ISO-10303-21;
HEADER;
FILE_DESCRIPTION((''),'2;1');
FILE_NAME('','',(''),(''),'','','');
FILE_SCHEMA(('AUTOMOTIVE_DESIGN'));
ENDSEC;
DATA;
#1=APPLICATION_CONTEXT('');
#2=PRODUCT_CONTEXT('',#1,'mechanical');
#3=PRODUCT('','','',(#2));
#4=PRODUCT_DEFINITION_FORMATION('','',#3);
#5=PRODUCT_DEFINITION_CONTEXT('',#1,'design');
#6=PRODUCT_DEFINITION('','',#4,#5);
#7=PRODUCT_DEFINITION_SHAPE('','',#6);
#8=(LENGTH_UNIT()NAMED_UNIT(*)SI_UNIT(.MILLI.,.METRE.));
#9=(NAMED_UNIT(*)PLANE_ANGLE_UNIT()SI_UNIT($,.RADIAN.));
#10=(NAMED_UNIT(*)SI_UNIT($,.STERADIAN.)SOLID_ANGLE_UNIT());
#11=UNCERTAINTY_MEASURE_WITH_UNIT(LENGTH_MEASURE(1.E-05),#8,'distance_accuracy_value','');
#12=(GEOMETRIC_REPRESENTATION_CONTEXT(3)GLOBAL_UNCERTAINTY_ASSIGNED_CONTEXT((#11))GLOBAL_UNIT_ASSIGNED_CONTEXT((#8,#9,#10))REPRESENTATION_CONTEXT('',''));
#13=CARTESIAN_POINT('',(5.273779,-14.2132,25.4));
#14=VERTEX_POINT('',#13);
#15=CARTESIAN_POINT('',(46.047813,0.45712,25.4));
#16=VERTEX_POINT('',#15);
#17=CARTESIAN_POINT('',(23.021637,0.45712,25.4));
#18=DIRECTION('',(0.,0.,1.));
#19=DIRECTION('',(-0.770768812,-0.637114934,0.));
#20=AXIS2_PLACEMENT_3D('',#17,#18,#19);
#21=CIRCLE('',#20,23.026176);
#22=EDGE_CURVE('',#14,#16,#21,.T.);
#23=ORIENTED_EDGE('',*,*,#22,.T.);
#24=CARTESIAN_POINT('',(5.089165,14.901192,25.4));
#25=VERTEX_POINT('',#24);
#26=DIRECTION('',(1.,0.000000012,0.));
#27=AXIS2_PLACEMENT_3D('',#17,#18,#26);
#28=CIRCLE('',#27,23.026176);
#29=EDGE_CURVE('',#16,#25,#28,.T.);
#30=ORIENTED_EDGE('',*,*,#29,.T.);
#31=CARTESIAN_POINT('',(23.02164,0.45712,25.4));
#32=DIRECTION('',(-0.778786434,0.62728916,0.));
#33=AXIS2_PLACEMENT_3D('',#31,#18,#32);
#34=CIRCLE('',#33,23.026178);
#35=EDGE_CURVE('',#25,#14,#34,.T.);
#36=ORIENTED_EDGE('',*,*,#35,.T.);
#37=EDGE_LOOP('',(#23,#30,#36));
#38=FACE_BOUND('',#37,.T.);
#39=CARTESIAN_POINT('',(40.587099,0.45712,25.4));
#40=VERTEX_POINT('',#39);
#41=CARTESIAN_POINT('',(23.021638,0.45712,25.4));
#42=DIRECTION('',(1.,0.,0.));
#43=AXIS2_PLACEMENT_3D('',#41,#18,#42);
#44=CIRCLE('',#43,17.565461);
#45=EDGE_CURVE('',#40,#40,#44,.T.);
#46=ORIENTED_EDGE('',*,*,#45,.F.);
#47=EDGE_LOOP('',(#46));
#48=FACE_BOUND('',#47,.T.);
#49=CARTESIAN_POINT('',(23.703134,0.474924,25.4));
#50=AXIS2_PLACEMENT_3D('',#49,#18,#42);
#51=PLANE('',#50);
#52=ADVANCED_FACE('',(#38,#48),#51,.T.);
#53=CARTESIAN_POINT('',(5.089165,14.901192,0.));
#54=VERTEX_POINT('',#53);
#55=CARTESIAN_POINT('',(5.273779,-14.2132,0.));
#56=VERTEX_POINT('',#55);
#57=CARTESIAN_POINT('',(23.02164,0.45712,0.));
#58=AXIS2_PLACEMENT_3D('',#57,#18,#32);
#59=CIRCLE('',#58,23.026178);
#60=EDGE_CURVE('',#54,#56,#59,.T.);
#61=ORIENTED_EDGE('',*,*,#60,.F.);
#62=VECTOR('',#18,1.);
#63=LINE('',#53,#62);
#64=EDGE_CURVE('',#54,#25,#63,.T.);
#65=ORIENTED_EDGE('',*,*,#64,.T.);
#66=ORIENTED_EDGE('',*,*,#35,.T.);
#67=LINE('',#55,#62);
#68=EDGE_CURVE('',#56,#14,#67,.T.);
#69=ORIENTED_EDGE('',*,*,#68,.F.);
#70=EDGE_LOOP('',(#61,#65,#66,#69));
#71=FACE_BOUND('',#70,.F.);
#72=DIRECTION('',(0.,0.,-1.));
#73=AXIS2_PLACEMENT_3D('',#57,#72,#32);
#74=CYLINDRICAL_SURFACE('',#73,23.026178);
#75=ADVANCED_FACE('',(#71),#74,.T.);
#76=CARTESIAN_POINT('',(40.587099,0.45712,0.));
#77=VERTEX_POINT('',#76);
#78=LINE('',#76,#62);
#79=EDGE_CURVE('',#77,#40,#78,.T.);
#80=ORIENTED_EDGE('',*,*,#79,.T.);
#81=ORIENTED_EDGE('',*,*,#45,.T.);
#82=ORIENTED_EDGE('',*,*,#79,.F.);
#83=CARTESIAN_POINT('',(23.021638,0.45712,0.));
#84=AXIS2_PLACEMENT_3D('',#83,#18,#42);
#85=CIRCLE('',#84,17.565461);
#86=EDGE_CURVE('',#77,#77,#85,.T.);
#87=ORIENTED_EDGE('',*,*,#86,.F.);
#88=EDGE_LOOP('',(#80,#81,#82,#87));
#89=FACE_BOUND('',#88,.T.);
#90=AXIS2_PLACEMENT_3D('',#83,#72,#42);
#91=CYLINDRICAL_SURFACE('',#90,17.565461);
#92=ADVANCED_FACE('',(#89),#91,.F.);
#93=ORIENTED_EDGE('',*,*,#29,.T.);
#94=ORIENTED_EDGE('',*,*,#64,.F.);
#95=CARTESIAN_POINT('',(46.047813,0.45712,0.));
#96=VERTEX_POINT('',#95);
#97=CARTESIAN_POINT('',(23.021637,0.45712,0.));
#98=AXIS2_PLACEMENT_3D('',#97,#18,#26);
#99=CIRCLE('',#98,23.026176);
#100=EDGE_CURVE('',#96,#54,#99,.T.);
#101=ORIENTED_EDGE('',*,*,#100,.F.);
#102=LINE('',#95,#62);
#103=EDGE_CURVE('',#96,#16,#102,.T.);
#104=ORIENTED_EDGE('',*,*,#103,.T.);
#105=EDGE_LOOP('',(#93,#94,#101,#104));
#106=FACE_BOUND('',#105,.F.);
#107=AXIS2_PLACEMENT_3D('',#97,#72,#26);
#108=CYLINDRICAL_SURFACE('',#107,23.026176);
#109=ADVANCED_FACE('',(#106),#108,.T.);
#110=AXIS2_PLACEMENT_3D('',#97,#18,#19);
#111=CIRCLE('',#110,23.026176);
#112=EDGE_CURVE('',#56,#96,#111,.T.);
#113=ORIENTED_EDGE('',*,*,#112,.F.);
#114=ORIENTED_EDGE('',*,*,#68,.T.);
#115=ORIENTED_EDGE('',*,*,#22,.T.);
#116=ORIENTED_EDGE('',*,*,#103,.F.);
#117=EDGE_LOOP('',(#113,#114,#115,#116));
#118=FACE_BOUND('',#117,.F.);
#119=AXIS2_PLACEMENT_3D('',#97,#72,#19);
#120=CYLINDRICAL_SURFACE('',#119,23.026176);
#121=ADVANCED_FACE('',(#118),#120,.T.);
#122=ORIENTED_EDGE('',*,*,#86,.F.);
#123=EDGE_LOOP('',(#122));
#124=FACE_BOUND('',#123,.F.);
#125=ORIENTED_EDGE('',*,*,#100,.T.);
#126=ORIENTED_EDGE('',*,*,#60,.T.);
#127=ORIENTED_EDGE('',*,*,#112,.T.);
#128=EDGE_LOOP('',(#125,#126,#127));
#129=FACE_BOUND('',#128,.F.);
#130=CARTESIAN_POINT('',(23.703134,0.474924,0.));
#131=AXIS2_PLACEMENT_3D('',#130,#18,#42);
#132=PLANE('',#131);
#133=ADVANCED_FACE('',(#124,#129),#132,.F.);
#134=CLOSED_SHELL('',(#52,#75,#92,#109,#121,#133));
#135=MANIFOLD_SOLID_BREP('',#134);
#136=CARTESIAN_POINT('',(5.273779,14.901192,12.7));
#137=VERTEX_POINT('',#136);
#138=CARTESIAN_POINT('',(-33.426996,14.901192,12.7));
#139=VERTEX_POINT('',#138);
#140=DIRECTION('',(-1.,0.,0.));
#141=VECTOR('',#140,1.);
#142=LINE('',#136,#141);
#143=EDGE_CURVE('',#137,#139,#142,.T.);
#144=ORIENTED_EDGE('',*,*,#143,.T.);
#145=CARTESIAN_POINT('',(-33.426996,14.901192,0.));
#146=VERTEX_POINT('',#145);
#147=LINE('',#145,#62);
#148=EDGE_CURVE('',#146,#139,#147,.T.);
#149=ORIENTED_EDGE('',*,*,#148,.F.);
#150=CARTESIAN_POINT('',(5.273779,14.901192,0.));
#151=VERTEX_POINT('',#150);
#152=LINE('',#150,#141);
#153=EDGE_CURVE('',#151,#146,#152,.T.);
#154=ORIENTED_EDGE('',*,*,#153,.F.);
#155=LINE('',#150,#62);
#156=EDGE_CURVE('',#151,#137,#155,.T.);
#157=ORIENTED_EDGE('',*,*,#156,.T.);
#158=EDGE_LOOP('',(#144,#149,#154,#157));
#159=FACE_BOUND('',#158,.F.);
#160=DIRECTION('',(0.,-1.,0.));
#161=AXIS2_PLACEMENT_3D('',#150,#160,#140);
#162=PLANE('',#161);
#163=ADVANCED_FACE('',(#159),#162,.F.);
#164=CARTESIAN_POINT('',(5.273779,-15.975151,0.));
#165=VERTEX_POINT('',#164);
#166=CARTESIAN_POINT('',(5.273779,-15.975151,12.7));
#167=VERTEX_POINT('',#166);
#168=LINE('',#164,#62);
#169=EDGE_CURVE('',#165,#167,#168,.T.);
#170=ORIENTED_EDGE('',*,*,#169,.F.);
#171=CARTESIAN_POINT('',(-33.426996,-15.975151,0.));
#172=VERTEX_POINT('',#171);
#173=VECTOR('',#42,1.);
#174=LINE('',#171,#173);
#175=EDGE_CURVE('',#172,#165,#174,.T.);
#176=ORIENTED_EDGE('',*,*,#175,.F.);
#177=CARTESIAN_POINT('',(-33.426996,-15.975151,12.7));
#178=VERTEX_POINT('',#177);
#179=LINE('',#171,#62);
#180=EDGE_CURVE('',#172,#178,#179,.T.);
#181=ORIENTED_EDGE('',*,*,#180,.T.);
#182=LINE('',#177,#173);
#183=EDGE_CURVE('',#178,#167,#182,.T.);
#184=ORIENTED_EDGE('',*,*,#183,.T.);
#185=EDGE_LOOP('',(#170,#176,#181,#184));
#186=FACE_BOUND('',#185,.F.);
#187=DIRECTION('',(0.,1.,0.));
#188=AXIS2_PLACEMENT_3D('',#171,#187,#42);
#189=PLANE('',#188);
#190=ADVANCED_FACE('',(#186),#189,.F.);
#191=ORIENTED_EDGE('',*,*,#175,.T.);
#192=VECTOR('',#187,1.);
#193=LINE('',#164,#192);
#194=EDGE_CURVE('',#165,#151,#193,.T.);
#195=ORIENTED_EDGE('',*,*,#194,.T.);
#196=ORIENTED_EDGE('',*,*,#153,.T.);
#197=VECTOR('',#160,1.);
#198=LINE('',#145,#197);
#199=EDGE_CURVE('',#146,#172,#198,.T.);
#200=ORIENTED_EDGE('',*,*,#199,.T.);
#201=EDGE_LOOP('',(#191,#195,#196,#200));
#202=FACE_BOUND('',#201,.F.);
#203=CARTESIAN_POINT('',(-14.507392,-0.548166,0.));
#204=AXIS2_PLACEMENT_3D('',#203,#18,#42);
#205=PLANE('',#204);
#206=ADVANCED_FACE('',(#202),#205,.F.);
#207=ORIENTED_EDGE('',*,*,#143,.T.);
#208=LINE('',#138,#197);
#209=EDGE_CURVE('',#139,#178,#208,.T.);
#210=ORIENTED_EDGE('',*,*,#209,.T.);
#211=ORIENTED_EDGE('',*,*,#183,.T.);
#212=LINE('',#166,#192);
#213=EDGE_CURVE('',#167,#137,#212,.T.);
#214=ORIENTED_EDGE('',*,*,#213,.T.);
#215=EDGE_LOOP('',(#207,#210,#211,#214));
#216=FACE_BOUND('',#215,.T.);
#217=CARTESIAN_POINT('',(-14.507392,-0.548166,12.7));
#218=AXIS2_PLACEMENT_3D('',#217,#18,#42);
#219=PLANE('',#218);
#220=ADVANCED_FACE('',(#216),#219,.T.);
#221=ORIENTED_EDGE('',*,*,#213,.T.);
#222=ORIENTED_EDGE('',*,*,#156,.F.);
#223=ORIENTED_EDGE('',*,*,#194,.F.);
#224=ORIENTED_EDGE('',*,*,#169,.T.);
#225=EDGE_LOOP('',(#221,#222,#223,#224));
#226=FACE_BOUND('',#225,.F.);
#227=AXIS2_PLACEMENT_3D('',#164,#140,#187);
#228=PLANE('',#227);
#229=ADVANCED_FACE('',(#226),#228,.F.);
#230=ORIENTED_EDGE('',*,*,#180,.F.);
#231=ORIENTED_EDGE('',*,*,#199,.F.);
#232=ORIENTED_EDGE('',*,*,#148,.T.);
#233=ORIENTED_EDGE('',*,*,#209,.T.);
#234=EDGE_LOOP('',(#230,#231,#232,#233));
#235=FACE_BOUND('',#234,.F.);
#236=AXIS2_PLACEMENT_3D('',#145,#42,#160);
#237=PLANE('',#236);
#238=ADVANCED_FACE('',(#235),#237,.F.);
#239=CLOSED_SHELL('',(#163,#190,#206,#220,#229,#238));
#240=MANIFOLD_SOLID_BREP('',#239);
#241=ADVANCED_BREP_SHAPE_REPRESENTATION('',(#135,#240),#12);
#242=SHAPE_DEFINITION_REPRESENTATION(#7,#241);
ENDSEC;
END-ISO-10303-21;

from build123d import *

# Parameters (mm, degrees)
F1_DEPTH = 12.7
F0_R     = 17.565461
F2_DEPTH = 25.4


with BuildPart() as f1:
    # F0 (on Top) → F1 (new body)
    with BuildSketch(Plane.XY):
        with BuildLine():
            Line((5.089165, 14.901192), (-33.426996, 14.901192))
            Line((-33.426996, 14.901192), (-33.426996, -15.975151))
            Line((-33.426996, -15.975151), (5.273779, -15.975151))
            Line((5.273779, -15.975151), (5.273779, -14.2132))
            ThreePointArc((5.273779, -14.2132), (-0.004075, 0.311115), (5.089165, 14.901192))
        make_face()
        with BuildLine():
            Line((5.273779, 14.901192), (5.089165, 14.901192))
            ThreePointArc((5.089165, 14.901192), (-0.004075, 0.311115), (5.273779, -14.2132))
            Line((5.273779, -14.2132), (5.273779, 14.901192))
        make_face()
    extrude(amount=F1_DEPTH)


with BuildPart() as f2:
    # F0 (on Top) → F2 (new body)
    with BuildSketch(Plane.XY):
        with BuildLine():
            ThreePointArc((46.047813, 0.45712), (30.679591, 22.172564), (5.089165, 14.901192))
            Line((5.089165, 14.901192), (5.273779, 14.901192))
            Line((5.273779, 14.901192), (5.273779, -14.2132))
            ThreePointArc((5.273779, -14.2132), (30.817132, -21.209329), (46.047813, 0.45712))
        make_face()
        with Locations((23.021638, 0.45712)):
            Circle(F0_R, mode=Mode.SUBTRACT)
        with BuildLine():
            Line((5.273779, 14.901192), (5.089165, 14.901192))
            ThreePointArc((5.089165, 14.901192), (-0.004075, 0.311115), (5.273779, -14.2132))
            Line((5.273779, -14.2132), (5.273779, 14.901192))
        make_face()
    extrude(amount=F2_DEPTH)


solid = Compound([f1.part, f2.part])
